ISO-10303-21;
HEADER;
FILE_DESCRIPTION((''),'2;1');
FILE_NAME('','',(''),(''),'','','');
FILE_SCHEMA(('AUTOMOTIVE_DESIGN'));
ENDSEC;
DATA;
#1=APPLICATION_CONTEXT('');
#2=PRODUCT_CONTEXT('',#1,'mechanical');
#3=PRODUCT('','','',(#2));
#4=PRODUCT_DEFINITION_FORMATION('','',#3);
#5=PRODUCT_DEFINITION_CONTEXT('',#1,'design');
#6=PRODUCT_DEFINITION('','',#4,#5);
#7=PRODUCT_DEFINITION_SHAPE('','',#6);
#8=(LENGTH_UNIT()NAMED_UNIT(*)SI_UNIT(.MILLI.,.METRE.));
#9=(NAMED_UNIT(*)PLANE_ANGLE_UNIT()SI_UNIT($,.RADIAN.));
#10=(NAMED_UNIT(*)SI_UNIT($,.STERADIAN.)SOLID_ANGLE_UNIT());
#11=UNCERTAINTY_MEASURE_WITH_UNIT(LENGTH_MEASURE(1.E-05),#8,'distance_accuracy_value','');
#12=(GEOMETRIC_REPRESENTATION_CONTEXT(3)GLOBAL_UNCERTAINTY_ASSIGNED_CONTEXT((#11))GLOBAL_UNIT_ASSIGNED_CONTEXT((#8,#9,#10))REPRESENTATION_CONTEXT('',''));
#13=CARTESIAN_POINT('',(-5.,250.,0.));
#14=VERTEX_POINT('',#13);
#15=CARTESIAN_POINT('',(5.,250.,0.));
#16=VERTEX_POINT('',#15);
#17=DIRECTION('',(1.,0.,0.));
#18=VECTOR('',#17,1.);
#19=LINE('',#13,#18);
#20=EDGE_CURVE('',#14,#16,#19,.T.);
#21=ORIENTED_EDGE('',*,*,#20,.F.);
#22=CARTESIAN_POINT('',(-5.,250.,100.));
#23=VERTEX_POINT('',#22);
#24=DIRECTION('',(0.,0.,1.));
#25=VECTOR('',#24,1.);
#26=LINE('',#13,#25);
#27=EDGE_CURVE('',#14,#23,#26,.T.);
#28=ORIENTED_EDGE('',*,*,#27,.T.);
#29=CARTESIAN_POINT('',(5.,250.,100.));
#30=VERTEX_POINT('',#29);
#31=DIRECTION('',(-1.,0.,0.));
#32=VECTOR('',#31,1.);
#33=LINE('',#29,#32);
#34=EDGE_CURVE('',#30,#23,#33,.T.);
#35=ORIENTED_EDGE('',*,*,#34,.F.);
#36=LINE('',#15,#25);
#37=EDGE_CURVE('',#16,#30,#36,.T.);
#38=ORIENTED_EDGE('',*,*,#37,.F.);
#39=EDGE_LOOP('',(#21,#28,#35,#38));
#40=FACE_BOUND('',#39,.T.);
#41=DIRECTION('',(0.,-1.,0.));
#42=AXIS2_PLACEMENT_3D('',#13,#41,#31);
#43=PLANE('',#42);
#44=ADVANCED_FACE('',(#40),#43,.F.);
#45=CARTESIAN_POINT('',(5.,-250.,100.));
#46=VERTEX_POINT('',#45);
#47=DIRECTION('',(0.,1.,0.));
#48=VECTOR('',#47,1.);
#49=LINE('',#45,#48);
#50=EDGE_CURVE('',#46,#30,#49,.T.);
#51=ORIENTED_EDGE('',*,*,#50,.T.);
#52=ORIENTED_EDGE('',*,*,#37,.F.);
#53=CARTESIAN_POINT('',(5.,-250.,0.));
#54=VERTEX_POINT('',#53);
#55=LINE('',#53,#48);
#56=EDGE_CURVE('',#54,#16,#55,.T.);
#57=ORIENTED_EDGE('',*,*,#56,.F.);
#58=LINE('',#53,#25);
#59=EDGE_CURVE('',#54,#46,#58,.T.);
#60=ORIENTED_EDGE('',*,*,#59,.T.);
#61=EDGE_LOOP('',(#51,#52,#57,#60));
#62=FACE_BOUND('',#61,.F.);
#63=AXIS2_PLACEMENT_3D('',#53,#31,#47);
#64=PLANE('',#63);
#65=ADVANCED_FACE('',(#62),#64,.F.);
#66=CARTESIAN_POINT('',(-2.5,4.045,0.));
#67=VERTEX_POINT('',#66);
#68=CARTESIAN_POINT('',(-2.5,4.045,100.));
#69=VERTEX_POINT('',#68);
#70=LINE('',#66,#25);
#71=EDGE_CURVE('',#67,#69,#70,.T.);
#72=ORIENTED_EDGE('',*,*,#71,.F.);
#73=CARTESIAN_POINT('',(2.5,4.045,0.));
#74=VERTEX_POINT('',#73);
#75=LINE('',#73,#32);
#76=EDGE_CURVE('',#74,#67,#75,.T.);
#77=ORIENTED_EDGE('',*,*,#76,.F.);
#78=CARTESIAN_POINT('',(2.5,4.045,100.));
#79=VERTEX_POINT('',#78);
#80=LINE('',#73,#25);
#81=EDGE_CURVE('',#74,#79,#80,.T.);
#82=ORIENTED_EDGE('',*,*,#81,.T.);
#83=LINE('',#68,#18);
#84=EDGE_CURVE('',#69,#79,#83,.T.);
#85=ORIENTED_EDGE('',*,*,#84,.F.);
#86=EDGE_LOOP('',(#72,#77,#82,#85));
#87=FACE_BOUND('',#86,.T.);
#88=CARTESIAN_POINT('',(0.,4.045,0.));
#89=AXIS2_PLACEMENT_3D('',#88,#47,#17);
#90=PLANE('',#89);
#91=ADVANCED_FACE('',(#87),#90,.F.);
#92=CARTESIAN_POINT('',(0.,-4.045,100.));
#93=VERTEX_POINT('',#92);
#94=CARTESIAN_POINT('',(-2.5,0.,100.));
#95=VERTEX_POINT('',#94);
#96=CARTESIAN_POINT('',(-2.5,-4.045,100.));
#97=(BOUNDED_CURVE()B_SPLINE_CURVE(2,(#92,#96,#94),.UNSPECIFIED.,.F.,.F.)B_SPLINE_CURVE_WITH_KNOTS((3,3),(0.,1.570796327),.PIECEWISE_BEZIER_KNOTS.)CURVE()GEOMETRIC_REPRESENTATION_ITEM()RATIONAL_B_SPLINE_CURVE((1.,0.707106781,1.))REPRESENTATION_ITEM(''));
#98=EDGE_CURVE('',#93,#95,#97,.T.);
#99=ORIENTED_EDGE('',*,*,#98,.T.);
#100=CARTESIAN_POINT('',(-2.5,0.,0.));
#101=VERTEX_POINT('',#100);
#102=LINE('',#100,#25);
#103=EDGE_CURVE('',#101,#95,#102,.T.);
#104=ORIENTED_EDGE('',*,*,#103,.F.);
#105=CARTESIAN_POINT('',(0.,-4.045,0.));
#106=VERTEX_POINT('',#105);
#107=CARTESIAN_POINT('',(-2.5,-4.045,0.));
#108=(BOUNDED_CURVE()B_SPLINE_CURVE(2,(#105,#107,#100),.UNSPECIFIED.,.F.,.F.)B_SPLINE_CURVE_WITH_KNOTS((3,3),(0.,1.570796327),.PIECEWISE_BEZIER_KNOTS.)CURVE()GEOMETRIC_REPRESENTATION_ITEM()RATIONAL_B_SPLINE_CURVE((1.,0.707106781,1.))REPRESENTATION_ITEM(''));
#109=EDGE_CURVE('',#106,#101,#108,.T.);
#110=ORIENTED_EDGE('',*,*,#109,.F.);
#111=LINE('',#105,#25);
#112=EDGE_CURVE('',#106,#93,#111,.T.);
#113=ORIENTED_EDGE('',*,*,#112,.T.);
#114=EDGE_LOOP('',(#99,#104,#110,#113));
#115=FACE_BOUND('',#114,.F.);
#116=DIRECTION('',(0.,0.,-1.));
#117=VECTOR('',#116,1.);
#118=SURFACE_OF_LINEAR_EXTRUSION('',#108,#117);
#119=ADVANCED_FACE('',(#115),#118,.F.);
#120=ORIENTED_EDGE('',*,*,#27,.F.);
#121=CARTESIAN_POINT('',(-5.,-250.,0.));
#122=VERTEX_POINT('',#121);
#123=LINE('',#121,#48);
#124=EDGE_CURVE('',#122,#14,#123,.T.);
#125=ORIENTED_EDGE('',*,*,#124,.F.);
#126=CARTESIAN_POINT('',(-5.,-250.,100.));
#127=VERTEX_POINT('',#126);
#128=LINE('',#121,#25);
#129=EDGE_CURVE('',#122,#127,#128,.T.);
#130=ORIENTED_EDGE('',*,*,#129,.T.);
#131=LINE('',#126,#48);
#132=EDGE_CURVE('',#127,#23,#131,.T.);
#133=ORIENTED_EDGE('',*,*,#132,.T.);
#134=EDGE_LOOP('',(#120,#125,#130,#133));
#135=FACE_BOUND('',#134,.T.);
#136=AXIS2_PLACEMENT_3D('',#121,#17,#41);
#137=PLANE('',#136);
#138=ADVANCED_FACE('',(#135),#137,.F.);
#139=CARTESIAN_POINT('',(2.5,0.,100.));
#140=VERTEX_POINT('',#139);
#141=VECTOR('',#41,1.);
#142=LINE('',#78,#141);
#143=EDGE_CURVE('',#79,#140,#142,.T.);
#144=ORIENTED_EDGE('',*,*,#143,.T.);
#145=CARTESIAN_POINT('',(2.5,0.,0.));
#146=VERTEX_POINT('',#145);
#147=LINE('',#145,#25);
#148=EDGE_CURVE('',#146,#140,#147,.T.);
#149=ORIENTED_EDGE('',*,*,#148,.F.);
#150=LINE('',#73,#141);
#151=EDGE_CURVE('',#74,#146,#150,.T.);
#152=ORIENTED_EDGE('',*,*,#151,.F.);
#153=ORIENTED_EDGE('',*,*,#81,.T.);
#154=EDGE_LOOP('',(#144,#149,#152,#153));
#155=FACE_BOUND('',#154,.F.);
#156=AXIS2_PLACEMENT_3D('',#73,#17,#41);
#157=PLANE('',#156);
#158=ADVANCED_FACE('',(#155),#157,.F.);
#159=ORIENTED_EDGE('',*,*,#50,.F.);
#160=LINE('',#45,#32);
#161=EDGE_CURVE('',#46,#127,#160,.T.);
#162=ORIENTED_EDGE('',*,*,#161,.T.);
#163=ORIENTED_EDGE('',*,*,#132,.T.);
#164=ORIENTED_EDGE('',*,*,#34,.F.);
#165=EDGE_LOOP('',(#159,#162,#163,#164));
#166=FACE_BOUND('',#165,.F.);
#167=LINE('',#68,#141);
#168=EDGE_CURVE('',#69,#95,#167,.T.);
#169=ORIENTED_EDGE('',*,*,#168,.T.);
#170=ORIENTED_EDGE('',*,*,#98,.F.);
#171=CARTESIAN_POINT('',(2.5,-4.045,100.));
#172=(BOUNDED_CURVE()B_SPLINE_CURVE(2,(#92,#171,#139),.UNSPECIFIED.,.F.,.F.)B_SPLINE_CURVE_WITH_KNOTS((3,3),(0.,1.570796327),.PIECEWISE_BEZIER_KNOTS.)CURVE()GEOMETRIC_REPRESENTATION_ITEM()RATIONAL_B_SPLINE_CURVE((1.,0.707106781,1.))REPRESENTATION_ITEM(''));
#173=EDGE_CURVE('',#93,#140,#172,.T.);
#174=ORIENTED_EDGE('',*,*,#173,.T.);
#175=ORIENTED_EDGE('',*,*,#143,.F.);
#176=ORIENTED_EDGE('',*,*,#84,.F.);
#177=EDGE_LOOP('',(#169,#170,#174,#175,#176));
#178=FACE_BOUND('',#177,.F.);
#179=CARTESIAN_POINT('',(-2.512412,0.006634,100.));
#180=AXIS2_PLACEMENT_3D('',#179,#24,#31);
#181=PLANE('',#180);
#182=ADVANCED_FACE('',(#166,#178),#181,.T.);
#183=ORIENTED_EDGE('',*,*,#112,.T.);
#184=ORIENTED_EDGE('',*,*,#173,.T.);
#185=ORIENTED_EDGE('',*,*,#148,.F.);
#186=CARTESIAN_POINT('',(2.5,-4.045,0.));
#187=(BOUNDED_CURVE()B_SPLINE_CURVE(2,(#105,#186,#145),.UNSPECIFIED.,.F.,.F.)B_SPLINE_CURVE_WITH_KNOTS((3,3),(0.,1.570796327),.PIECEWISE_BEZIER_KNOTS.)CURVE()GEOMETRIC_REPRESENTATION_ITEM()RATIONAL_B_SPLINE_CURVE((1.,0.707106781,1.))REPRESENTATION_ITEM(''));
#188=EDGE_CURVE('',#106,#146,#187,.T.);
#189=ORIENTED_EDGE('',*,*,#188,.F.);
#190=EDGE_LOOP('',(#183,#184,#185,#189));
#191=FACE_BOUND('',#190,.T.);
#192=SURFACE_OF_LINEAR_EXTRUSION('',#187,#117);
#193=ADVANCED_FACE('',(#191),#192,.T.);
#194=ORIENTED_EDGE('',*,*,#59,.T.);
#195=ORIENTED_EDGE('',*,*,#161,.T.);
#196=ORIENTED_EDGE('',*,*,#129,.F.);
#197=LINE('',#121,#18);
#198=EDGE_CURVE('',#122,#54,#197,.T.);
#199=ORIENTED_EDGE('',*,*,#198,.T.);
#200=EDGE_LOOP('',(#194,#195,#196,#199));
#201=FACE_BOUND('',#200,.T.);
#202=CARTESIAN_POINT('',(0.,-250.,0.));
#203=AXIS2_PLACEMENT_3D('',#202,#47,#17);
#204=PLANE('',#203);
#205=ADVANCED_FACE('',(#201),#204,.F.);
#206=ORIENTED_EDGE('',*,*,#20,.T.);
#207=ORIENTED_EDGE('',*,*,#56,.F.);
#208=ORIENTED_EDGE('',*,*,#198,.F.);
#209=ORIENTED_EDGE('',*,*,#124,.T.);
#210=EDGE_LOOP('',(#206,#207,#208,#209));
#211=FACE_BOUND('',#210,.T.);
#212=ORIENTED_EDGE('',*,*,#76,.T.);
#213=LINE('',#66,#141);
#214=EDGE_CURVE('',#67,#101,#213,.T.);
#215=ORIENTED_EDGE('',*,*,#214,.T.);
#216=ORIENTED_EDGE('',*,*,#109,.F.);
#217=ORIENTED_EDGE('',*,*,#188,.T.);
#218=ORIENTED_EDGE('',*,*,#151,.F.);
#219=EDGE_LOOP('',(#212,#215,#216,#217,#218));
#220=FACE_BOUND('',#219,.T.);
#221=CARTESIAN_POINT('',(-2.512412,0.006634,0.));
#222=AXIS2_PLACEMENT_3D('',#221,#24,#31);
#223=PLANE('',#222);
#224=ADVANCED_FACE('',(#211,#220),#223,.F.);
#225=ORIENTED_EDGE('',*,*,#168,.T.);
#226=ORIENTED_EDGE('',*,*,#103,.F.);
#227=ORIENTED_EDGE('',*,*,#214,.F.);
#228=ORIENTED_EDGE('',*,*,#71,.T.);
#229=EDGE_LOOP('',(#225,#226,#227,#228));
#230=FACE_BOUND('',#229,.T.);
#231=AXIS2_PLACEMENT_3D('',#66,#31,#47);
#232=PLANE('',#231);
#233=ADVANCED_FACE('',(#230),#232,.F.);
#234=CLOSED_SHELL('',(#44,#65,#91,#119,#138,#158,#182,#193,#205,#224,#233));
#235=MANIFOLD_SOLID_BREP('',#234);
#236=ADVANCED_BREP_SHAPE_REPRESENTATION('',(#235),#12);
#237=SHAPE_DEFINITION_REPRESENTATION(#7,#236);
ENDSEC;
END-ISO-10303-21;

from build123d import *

# Parameters (mm, degrees)
F2_DEPTH = 100
F6_ANGLE = 180


with BuildPart() as f2:
    # F1 (on Top) → F2 (new body)
    with BuildSketch(Plane.XY):
        with BuildLine():
            Line((5, 4.045), (5, 250))
            Line((5, 250), (0, 250))
            Line((0, 250), (0, -250))
            Line((0, -250), (5, -250))
            Line((5, -250), (5, -4.045))
            Line((5, -4.045), (2.5, -4.045))
            Line((2.5, -4.045), (2.5, 0))
            add(Edge.make_bspline(
                [(5, 4.045), (2.5, 4.045), (2.5, 0)],
                knots=[0, 0, 0, 1.5707963268, 1.5707963268, 1.5707963268], degree=2, weights=[1, 0.7071067812, 1]))
        make_face()
    extrude(amount=F2_DEPTH)


with BuildPart() as f2_1:
    # F4: moved
    add(f2.part.moved(Location((-5, 0, 0))))

    # F5: F2 across plane


with BuildPart() as f2_2:
    add(f2_1.part)
    add(f2_1.part.mirror(Plane.YZ))


with BuildPart() as f2_3:
    # F6: moved
    add(f2_2.part.rotate(Axis((5, -250, 50), (0, 0, -1)), F6_ANGLE))


with BuildPart() as f2_4:
    # F9: moved
    add(f2_3.part.moved(Location((-10, 500, 0))))


solid = f2_4.part
